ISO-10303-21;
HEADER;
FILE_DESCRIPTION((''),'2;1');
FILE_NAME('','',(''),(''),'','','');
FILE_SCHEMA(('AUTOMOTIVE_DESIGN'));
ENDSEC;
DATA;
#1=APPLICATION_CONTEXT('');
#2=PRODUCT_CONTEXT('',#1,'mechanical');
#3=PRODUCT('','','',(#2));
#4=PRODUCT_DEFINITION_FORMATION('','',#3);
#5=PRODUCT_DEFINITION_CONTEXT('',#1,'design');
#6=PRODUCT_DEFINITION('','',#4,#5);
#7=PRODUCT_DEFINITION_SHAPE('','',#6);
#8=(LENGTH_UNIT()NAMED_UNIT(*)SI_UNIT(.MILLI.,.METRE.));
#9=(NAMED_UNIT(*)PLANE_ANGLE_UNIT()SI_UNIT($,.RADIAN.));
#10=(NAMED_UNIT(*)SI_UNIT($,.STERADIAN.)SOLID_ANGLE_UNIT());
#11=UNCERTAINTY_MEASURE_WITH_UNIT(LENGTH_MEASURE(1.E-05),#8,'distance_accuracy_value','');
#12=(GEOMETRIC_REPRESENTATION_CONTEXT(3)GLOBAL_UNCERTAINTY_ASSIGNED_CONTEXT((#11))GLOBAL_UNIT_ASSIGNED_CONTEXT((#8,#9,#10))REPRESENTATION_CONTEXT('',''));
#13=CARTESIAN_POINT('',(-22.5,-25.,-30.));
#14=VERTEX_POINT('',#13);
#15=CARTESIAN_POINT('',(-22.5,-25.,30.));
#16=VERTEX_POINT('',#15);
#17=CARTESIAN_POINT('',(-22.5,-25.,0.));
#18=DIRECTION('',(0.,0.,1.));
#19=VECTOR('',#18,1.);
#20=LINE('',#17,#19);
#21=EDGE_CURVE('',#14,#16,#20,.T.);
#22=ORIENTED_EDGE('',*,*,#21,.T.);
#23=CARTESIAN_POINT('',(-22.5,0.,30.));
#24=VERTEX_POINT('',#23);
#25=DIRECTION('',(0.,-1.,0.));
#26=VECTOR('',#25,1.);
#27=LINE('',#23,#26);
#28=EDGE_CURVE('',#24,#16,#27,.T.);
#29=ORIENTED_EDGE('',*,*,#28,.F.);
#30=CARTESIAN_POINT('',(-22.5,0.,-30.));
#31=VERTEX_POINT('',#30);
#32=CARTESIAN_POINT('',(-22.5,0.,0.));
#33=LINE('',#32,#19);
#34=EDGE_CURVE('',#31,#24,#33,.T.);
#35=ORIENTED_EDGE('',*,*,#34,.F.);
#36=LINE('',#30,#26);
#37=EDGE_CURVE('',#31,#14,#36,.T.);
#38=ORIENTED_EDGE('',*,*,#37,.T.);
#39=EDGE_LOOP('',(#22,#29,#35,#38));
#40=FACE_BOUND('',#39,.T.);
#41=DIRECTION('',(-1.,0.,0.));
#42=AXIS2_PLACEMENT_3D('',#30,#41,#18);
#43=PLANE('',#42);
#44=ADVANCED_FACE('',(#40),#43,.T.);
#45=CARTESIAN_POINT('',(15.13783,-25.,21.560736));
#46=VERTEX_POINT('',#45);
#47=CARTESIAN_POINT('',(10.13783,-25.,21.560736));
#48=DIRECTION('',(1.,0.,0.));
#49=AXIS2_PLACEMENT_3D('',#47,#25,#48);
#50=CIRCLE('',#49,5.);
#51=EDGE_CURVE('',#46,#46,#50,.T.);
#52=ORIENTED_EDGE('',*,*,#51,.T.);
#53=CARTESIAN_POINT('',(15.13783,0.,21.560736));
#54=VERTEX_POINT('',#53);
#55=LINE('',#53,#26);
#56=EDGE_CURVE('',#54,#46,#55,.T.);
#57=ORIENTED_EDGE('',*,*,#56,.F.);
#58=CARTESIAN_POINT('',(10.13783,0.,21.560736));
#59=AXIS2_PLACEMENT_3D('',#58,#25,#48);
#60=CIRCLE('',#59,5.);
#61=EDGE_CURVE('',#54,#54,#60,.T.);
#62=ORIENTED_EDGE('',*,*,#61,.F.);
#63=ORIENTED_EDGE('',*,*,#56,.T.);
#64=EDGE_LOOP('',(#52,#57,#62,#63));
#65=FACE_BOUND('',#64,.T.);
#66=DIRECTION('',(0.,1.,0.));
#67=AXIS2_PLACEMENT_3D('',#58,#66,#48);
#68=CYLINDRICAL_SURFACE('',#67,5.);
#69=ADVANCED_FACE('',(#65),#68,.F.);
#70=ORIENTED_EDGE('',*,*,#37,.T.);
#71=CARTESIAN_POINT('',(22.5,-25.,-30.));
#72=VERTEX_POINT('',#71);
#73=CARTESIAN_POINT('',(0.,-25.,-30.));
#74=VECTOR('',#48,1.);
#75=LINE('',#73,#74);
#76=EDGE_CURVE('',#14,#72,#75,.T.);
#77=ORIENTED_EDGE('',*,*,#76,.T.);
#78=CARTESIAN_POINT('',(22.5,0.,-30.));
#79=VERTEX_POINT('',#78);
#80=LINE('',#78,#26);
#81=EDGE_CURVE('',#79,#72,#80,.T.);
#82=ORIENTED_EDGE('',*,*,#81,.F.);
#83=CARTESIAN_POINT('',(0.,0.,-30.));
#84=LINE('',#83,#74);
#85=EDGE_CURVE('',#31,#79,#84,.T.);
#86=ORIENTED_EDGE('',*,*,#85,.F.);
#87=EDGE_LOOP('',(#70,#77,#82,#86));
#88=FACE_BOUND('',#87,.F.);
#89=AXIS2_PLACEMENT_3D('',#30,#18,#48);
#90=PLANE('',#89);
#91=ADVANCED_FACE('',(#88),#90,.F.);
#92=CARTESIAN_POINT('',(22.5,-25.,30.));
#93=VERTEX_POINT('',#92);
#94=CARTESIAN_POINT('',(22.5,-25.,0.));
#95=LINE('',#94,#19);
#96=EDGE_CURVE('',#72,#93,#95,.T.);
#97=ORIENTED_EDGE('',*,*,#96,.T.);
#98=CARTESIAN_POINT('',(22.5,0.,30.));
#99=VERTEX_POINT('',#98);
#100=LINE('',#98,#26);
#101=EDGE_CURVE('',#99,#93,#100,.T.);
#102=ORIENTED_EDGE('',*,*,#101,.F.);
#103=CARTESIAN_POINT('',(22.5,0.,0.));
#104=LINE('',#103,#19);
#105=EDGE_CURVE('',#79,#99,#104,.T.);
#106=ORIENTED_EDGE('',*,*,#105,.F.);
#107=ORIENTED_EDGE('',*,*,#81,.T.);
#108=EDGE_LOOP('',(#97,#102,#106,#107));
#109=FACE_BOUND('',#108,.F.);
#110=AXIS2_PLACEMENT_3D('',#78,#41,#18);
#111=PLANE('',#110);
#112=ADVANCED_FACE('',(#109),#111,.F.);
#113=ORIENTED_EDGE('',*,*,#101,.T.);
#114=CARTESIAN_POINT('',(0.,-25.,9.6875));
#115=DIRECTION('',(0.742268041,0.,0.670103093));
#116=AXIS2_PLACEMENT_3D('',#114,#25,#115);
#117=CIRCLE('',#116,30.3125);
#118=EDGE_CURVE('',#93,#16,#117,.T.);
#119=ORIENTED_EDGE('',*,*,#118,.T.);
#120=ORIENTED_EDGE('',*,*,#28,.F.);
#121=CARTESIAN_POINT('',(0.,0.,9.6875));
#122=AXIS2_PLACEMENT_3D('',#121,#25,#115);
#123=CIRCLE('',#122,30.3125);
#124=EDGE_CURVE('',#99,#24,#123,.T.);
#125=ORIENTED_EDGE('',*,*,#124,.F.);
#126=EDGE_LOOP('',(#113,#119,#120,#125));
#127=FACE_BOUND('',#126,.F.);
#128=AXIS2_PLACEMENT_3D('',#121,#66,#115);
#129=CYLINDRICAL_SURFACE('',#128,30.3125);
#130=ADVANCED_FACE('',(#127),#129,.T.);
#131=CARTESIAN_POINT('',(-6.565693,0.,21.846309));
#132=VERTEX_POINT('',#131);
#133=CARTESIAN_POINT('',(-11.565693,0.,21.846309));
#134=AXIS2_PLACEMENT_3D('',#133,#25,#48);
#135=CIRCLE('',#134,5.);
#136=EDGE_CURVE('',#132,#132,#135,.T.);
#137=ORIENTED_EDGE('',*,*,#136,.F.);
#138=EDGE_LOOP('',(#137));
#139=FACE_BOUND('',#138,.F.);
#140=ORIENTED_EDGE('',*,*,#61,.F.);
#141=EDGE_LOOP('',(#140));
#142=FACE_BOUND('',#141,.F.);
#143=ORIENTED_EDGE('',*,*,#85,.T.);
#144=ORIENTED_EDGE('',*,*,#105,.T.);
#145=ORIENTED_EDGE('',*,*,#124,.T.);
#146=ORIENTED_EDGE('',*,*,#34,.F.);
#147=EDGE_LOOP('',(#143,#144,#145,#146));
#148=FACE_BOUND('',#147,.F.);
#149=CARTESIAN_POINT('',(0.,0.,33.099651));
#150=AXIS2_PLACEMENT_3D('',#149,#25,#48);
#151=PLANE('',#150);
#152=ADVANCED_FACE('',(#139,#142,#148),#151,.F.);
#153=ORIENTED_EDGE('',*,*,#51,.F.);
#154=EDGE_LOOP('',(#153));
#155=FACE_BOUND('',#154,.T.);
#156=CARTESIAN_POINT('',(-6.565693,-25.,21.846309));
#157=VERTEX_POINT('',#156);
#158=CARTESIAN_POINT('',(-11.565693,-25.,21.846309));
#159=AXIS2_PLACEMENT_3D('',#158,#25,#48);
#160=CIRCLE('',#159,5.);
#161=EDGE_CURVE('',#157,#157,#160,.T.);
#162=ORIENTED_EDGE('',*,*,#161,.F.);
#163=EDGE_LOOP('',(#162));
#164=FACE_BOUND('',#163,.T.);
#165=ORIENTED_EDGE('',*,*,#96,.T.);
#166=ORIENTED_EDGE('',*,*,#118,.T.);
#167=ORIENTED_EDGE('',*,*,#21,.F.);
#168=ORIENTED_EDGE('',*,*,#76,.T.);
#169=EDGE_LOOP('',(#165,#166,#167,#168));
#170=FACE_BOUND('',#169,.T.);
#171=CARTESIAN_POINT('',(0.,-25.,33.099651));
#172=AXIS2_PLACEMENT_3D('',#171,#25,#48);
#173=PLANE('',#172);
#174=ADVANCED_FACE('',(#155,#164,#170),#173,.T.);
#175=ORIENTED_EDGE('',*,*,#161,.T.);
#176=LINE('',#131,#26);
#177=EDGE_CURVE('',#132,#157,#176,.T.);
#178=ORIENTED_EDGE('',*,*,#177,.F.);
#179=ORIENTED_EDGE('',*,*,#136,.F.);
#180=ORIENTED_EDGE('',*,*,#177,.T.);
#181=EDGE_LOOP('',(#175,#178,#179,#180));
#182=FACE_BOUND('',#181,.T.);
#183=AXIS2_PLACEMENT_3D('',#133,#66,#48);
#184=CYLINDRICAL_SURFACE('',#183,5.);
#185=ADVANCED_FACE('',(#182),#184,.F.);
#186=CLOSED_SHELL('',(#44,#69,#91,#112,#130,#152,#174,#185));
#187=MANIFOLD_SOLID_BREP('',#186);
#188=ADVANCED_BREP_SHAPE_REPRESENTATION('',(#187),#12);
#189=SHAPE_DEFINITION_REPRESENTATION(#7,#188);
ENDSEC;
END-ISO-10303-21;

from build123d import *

# Parameters (mm, degrees)
F0_W     = 45
F0_H     = 60
F0_R     = 5
F1_DEPTH = 25


with BuildPart() as f1:
    # F0 (on Front) → F1 (new body)
    with BuildSketch(Plane.XZ):
        with BuildLine():
            ThreePointArc((22.5, 30), (0, 40), (-22.5, 30))
            Line((-22.5, 30), (22.5, 30))
        make_face()
        Rectangle(F0_W, F0_H)
        with Locations((-11.565693, 21.846309)):
            Circle(F0_R, mode=Mode.SUBTRACT)
        with Locations((10.13783, 21.560736)):
            Circle(F0_R, mode=Mode.SUBTRACT)
    extrude(amount=F1_DEPTH)


solid = f1.part
